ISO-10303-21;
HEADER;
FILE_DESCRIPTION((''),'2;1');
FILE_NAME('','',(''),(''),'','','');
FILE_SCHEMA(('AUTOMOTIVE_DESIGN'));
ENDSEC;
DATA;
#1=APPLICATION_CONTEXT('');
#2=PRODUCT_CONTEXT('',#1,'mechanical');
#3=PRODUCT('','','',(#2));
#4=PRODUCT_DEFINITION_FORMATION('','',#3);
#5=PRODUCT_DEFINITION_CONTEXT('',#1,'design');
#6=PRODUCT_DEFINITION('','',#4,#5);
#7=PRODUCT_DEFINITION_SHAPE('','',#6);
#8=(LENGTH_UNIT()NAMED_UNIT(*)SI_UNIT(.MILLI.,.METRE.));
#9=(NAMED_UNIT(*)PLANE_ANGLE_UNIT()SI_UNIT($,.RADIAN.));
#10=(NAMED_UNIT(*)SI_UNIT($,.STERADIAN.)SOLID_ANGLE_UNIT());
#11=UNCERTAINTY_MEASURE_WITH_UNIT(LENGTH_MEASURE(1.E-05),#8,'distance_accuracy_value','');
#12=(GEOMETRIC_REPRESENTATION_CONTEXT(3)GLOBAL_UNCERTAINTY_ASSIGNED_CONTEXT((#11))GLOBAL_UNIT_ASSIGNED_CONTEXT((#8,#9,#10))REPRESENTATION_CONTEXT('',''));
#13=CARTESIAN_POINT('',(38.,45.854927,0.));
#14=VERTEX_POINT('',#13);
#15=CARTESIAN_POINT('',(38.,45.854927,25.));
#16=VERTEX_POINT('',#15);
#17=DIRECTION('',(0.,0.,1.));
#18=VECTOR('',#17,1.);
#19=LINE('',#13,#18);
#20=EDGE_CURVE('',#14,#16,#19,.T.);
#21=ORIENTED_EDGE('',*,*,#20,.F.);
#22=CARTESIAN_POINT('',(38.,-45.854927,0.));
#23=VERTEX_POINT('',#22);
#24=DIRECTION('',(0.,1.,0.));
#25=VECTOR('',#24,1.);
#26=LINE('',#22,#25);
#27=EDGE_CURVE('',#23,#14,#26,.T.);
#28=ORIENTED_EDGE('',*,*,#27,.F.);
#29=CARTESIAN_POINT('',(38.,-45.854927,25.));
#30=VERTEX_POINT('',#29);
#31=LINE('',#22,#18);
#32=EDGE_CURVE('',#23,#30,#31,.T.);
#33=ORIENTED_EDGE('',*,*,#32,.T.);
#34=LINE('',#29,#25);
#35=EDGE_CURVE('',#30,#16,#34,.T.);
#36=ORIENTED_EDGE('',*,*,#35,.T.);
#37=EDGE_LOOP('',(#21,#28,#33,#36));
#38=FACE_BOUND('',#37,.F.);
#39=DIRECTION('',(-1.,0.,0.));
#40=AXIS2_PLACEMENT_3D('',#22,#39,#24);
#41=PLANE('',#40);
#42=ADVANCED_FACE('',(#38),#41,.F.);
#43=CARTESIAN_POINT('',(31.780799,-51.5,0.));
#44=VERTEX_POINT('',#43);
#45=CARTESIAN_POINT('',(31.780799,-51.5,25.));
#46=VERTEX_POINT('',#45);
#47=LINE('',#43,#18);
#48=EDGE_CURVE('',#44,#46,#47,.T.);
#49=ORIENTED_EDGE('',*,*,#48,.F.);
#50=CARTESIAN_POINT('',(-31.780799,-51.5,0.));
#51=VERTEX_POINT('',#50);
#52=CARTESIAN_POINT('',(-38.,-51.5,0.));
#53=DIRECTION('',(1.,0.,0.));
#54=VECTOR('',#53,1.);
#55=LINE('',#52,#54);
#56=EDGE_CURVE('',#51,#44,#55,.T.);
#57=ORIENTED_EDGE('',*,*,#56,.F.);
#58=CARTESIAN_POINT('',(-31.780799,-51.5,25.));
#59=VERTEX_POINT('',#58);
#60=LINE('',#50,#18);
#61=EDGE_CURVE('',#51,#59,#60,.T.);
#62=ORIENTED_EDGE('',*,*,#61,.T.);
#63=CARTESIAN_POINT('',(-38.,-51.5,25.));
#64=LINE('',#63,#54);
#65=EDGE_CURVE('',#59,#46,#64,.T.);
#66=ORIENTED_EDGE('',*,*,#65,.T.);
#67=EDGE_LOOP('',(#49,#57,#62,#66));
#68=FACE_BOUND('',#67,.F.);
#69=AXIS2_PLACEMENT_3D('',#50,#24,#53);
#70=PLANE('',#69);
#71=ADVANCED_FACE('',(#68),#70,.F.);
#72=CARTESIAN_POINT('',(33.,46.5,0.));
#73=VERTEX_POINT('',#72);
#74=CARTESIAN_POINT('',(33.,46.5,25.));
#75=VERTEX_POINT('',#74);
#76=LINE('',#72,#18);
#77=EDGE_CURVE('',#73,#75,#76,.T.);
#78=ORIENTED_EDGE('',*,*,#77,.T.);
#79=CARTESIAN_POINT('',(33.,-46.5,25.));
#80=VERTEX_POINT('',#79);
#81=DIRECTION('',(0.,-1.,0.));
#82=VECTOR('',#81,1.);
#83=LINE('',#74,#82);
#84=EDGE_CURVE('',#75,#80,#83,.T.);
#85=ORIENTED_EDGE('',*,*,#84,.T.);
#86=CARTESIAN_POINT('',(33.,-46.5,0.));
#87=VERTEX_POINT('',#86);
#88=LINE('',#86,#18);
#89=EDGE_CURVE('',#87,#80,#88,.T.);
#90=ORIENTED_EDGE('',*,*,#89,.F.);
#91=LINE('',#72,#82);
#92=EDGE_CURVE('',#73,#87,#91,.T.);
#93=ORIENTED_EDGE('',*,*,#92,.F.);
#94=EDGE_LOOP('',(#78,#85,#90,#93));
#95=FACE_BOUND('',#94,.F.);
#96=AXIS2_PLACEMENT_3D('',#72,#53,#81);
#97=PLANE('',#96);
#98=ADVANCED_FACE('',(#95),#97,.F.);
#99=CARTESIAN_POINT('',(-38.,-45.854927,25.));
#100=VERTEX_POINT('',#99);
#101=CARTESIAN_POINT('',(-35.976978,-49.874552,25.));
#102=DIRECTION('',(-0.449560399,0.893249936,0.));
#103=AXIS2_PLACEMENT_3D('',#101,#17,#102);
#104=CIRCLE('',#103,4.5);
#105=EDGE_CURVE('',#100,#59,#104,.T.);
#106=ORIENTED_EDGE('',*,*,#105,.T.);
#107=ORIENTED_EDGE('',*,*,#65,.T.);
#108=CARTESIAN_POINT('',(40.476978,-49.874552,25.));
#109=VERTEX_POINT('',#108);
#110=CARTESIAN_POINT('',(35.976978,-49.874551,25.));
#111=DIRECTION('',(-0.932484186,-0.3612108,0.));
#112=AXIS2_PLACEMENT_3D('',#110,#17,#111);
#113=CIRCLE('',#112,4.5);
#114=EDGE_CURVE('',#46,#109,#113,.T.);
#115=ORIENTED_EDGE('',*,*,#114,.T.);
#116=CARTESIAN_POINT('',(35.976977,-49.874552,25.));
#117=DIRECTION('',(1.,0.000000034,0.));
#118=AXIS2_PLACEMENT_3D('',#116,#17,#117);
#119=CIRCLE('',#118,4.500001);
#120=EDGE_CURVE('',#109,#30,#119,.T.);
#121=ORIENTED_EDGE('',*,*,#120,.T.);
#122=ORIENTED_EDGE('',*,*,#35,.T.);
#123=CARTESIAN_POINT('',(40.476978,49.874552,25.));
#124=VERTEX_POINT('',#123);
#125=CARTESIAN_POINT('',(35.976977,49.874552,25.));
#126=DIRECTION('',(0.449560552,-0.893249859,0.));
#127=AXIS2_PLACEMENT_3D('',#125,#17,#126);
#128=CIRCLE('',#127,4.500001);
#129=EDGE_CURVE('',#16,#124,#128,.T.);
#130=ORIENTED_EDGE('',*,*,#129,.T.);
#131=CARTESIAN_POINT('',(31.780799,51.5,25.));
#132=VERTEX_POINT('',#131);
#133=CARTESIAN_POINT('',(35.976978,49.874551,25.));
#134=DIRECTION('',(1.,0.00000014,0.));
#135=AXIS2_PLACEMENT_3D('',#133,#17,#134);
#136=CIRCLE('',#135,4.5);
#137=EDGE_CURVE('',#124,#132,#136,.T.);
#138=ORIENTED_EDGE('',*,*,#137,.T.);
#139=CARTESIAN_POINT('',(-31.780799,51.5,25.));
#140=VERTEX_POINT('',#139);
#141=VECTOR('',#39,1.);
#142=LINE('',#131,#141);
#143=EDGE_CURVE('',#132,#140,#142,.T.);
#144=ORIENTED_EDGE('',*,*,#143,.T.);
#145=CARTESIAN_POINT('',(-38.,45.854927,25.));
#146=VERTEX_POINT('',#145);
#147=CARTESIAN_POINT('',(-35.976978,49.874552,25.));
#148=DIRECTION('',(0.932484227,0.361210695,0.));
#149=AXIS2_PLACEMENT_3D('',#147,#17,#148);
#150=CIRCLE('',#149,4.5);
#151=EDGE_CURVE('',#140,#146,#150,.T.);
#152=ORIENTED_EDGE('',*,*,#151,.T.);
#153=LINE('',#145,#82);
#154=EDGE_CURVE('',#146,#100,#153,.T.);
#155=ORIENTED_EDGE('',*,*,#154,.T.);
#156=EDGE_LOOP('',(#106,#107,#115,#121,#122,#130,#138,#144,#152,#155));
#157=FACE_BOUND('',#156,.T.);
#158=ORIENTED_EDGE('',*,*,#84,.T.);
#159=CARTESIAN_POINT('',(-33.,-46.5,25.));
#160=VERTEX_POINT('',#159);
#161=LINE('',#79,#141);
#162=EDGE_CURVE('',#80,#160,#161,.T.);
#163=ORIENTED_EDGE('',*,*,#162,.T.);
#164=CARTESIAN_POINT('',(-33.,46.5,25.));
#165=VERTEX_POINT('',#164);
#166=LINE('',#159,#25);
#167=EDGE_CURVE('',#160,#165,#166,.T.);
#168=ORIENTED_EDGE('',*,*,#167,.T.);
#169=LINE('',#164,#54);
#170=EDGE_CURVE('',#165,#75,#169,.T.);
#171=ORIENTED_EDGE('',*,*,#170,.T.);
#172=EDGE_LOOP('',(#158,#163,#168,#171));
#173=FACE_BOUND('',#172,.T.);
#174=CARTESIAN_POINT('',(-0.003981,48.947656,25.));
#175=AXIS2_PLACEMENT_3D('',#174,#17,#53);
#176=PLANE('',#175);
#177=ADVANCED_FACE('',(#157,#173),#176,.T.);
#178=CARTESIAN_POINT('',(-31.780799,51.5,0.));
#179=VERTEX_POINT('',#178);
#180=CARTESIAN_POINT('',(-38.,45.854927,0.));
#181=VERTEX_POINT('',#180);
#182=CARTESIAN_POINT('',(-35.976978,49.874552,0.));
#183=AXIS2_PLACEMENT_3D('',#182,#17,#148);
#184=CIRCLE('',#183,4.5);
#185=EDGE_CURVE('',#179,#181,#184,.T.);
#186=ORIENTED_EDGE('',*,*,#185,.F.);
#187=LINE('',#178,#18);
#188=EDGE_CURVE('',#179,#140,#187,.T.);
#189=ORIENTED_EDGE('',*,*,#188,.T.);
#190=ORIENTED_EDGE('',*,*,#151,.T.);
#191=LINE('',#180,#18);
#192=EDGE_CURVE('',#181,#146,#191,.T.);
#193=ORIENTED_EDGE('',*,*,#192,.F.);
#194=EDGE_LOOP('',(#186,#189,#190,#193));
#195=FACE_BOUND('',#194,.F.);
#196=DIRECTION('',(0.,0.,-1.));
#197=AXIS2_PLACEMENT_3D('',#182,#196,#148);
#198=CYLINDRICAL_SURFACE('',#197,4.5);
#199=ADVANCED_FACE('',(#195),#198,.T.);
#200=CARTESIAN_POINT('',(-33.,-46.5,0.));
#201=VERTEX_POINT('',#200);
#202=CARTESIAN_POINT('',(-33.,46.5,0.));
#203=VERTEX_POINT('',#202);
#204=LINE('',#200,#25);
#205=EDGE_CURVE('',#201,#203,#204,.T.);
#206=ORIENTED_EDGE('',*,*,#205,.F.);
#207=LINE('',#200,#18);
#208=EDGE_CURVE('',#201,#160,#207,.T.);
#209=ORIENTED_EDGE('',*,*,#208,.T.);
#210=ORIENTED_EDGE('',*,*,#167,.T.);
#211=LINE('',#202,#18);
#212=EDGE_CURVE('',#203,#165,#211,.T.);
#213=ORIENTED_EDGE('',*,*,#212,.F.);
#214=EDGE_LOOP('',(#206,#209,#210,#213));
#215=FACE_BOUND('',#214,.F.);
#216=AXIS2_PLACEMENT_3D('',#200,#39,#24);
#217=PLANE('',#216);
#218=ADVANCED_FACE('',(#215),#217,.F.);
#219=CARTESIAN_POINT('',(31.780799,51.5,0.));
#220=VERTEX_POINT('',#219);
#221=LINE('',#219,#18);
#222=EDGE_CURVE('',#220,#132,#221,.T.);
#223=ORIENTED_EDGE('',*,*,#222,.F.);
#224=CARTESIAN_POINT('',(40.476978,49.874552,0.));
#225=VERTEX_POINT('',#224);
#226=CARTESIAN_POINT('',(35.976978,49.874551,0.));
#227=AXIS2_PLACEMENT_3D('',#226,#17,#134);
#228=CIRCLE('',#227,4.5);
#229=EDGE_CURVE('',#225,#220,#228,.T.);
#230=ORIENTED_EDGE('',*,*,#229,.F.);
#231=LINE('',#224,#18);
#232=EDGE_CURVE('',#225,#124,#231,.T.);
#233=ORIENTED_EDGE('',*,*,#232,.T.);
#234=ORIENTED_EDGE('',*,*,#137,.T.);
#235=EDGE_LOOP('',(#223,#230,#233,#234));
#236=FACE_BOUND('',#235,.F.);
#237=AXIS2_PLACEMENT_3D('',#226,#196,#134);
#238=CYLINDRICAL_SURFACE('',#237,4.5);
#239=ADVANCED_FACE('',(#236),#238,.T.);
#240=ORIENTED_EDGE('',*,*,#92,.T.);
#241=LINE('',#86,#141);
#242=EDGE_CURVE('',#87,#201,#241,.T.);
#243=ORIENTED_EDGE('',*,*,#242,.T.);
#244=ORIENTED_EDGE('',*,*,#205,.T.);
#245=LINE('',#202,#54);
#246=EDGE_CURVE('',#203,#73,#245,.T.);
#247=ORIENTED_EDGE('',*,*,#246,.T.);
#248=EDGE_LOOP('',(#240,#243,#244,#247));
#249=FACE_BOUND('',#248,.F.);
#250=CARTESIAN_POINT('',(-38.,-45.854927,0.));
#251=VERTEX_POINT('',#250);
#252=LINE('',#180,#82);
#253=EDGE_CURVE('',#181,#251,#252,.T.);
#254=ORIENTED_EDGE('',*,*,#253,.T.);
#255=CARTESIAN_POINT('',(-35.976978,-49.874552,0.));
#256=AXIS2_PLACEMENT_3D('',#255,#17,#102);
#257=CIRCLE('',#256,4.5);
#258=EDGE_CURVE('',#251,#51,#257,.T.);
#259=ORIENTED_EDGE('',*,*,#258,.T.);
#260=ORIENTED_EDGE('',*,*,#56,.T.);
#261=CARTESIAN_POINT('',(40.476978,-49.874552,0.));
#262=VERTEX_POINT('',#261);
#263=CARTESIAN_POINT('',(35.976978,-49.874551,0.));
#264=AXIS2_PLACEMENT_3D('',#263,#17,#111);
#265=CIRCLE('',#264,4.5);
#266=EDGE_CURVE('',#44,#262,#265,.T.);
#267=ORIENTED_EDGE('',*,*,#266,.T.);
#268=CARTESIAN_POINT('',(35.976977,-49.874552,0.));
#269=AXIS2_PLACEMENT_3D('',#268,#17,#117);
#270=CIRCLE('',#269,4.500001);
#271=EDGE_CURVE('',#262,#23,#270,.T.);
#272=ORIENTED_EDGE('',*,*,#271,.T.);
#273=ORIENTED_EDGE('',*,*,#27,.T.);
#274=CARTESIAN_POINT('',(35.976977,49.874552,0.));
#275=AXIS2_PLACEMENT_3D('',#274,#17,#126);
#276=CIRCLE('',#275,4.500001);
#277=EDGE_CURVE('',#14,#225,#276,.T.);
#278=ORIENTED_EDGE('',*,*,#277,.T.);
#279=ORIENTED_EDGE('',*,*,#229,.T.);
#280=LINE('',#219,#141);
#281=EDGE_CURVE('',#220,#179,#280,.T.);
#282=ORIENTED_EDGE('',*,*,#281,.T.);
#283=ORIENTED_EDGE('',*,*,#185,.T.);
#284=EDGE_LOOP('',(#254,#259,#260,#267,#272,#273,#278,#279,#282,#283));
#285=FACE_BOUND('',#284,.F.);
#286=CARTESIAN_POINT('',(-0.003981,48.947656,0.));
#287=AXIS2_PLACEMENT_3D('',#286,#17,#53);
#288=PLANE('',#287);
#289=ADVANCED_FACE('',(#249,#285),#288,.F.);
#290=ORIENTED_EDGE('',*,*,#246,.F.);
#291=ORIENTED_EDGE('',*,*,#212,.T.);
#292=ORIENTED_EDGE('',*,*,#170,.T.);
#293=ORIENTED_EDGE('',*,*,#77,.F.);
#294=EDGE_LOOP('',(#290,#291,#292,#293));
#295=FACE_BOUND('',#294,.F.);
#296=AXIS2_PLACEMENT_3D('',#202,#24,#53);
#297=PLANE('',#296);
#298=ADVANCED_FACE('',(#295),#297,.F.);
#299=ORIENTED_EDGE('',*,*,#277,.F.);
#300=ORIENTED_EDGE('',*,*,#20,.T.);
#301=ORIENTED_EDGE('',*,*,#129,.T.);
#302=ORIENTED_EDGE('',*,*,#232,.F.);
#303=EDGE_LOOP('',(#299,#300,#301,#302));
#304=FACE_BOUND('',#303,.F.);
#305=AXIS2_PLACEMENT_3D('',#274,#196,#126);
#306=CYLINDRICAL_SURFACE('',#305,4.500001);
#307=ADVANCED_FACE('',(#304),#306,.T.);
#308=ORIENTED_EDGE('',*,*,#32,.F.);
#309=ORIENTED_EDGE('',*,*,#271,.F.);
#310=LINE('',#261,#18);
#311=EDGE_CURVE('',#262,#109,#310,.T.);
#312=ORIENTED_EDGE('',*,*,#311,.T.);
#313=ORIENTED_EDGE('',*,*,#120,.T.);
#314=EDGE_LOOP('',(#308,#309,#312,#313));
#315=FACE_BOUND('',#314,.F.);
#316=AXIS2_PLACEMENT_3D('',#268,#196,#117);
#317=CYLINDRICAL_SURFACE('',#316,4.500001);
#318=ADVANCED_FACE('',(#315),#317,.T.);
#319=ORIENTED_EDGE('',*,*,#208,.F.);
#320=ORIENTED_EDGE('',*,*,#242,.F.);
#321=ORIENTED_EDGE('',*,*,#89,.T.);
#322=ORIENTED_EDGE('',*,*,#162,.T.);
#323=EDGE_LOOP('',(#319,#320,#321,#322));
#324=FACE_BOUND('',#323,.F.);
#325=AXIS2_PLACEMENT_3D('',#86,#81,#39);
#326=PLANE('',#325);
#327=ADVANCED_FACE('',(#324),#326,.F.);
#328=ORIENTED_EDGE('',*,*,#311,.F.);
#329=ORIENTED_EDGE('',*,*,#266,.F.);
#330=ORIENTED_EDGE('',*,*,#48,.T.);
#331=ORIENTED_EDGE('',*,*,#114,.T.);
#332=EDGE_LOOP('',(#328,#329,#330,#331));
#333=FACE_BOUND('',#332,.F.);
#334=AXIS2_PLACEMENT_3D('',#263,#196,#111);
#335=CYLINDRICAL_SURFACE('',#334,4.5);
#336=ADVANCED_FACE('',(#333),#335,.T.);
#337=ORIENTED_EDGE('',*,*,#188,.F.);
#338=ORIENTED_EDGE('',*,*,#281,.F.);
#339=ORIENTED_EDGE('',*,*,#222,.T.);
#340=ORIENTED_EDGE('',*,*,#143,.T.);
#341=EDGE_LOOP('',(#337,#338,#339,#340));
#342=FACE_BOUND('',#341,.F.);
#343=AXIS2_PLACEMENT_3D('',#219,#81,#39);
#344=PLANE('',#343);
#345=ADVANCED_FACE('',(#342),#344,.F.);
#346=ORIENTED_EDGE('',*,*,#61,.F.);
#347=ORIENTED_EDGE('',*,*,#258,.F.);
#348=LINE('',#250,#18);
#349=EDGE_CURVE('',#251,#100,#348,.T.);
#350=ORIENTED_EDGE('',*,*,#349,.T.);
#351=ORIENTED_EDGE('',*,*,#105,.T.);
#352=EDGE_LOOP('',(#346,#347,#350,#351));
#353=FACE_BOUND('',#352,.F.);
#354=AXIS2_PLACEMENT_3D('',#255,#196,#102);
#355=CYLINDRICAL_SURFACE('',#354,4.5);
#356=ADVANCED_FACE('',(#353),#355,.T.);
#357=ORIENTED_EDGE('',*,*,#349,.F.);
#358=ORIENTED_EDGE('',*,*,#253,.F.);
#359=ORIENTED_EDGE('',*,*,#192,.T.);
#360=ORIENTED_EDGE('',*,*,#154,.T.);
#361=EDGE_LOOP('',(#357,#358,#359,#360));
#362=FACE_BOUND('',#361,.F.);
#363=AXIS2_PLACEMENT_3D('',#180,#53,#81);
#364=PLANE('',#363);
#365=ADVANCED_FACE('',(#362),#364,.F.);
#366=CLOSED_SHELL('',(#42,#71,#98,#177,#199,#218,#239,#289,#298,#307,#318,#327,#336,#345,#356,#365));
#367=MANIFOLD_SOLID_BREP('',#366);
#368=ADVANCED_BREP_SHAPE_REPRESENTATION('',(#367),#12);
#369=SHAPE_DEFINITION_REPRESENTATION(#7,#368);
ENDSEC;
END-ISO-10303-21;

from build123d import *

# Parameters (mm, degrees)
F1_DEPTH = 25


with BuildPart() as f1:
    # F0 (on Top) → F1 (new body)
    with BuildSketch(Plane.XY):
        with BuildLine():
            ThreePointArc((-31.476978, 49.874552), (-31.875369, 48.02339), (-33, 46.5))
            Line((-33, 46.5), (33, 46.5))
            ThreePointArc((33, 46.5), (31.605074, 48.808506), (31.780799, 51.5))
            Line((31.780799, 51.5), (-31.780799, 51.5))
            ThreePointArc((-31.780799, 51.5), (-31.553586, 50.701351), (-31.476978, 49.874552))
        make_face()
        with BuildLine():
            ThreePointArc((-38, 45.854927), (-35.401185, 45.411541), (-33, 46.5))
            ThreePointArc((-33, 46.5), (-31.875369, 48.02339), (-31.476978, 49.874552))
            ThreePointArc((-31.476978, 49.874552), (-31.553586, 50.701351), (-31.780799, 51.5))
            Line((-31.780799, 51.5), (-38, 51.5))
            Line((-38, 51.5), (-38, 45.854927))
        make_face()
        with BuildLine():
            ThreePointArc((-31.780799, 51.5), (-39.00144, 53.206613), (-38, 45.854927))
            Line((-38, 45.854927), (-38, 51.5))
            Line((-38, 51.5), (-31.780799, 51.5))
        make_face()
        with BuildLine():
            Line((-33, -46.5), (-33, 46.5))
            ThreePointArc((-33, 46.5), (-35.401185, 45.411541), (-38, 45.854927))
            Line((-38, 45.854927), (-38, -45.854927))
            ThreePointArc((-38, -45.854927), (-35.401185, -45.411541), (-33, -46.5))
        make_face()
        with BuildLine():
            ThreePointArc((40.476978, 49.874552), (36.803778, 54.297944), (31.780799, 51.5))
            Line((31.780799, 51.5), (38, 51.5))
            Line((38, 51.5), (38, 45.854927))
            ThreePointArc((38, 45.854927), (39.808009, 47.513789), (40.476978, 49.874552))
        make_face()
        with BuildLine():
            ThreePointArc((31.780799, 51.5), (31.605074, 48.808506), (33, 46.5))
            ThreePointArc((33, 46.5), (35.401185, 45.411541), (38, 45.854927))
            Line((38, 45.854927), (38, 51.5))
            Line((38, 51.5), (31.780799, 51.5))
        make_face()
        with BuildLine():
            ThreePointArc((38, 45.854927), (35.401185, 45.411541), (33, 46.5))
            Line((33, 46.5), (33, -46.5))
            ThreePointArc((33, -46.5), (35.401185, -45.411541), (38, -45.854927))
            Line((38, -45.854927), (38, 45.854927))
        make_face()
        with BuildLine():
            ThreePointArc((40.476978, -49.874552), (39.808009, -47.513789), (38, -45.854927))
            Line((38, -45.854927), (38, -51.5))
            Line((38, -51.5), (31.780799, -51.5))
            ThreePointArc((31.780799, -51.5), (36.803778, -54.297944), (40.476978, -49.874552))
        make_face()
        with BuildLine():
            ThreePointArc((38, -45.854927), (35.401185, -45.411541), (33, -46.5))
            ThreePointArc((33, -46.5), (31.605074, -48.808506), (31.780799, -51.5))
            Line((31.780799, -51.5), (38, -51.5))
            Line((38, -51.5), (38, -45.854927))
        make_face()
        with BuildLine():
            Line((33, -46.5), (-33, -46.5))
            ThreePointArc((-33, -46.5), (-31.875369, -48.02339), (-31.476978, -49.874552))
            ThreePointArc((-31.476978, -49.874552), (-31.553586, -50.701351), (-31.780799, -51.5))
            Line((-31.780799, -51.5), (31.780799, -51.5))
            ThreePointArc((31.780799, -51.5), (31.605074, -48.808506), (33, -46.5))
        make_face()
        with BuildLine():
            ThreePointArc((-31.476978, -49.874552), (-31.875369, -48.02339), (-33, -46.5))
            ThreePointArc((-33, -46.5), (-35.401185, -45.411541), (-38, -45.854927))
            Line((-38, -45.854927), (-38, -51.5))
            Line((-38, -51.5), (-31.780799, -51.5))
            ThreePointArc((-31.780799, -51.5), (-31.553586, -50.701351), (-31.476978, -49.874552))
        make_face()
        with BuildLine():
            Line((-38, -51.5), (-38, -45.854927))
            ThreePointArc((-38, -45.854927), (-39.00144, -53.206613), (-31.780799, -51.5))
            Line((-31.780799, -51.5), (-38, -51.5))
        make_face()
    extrude(amount=F1_DEPTH)


solid = f1.part
